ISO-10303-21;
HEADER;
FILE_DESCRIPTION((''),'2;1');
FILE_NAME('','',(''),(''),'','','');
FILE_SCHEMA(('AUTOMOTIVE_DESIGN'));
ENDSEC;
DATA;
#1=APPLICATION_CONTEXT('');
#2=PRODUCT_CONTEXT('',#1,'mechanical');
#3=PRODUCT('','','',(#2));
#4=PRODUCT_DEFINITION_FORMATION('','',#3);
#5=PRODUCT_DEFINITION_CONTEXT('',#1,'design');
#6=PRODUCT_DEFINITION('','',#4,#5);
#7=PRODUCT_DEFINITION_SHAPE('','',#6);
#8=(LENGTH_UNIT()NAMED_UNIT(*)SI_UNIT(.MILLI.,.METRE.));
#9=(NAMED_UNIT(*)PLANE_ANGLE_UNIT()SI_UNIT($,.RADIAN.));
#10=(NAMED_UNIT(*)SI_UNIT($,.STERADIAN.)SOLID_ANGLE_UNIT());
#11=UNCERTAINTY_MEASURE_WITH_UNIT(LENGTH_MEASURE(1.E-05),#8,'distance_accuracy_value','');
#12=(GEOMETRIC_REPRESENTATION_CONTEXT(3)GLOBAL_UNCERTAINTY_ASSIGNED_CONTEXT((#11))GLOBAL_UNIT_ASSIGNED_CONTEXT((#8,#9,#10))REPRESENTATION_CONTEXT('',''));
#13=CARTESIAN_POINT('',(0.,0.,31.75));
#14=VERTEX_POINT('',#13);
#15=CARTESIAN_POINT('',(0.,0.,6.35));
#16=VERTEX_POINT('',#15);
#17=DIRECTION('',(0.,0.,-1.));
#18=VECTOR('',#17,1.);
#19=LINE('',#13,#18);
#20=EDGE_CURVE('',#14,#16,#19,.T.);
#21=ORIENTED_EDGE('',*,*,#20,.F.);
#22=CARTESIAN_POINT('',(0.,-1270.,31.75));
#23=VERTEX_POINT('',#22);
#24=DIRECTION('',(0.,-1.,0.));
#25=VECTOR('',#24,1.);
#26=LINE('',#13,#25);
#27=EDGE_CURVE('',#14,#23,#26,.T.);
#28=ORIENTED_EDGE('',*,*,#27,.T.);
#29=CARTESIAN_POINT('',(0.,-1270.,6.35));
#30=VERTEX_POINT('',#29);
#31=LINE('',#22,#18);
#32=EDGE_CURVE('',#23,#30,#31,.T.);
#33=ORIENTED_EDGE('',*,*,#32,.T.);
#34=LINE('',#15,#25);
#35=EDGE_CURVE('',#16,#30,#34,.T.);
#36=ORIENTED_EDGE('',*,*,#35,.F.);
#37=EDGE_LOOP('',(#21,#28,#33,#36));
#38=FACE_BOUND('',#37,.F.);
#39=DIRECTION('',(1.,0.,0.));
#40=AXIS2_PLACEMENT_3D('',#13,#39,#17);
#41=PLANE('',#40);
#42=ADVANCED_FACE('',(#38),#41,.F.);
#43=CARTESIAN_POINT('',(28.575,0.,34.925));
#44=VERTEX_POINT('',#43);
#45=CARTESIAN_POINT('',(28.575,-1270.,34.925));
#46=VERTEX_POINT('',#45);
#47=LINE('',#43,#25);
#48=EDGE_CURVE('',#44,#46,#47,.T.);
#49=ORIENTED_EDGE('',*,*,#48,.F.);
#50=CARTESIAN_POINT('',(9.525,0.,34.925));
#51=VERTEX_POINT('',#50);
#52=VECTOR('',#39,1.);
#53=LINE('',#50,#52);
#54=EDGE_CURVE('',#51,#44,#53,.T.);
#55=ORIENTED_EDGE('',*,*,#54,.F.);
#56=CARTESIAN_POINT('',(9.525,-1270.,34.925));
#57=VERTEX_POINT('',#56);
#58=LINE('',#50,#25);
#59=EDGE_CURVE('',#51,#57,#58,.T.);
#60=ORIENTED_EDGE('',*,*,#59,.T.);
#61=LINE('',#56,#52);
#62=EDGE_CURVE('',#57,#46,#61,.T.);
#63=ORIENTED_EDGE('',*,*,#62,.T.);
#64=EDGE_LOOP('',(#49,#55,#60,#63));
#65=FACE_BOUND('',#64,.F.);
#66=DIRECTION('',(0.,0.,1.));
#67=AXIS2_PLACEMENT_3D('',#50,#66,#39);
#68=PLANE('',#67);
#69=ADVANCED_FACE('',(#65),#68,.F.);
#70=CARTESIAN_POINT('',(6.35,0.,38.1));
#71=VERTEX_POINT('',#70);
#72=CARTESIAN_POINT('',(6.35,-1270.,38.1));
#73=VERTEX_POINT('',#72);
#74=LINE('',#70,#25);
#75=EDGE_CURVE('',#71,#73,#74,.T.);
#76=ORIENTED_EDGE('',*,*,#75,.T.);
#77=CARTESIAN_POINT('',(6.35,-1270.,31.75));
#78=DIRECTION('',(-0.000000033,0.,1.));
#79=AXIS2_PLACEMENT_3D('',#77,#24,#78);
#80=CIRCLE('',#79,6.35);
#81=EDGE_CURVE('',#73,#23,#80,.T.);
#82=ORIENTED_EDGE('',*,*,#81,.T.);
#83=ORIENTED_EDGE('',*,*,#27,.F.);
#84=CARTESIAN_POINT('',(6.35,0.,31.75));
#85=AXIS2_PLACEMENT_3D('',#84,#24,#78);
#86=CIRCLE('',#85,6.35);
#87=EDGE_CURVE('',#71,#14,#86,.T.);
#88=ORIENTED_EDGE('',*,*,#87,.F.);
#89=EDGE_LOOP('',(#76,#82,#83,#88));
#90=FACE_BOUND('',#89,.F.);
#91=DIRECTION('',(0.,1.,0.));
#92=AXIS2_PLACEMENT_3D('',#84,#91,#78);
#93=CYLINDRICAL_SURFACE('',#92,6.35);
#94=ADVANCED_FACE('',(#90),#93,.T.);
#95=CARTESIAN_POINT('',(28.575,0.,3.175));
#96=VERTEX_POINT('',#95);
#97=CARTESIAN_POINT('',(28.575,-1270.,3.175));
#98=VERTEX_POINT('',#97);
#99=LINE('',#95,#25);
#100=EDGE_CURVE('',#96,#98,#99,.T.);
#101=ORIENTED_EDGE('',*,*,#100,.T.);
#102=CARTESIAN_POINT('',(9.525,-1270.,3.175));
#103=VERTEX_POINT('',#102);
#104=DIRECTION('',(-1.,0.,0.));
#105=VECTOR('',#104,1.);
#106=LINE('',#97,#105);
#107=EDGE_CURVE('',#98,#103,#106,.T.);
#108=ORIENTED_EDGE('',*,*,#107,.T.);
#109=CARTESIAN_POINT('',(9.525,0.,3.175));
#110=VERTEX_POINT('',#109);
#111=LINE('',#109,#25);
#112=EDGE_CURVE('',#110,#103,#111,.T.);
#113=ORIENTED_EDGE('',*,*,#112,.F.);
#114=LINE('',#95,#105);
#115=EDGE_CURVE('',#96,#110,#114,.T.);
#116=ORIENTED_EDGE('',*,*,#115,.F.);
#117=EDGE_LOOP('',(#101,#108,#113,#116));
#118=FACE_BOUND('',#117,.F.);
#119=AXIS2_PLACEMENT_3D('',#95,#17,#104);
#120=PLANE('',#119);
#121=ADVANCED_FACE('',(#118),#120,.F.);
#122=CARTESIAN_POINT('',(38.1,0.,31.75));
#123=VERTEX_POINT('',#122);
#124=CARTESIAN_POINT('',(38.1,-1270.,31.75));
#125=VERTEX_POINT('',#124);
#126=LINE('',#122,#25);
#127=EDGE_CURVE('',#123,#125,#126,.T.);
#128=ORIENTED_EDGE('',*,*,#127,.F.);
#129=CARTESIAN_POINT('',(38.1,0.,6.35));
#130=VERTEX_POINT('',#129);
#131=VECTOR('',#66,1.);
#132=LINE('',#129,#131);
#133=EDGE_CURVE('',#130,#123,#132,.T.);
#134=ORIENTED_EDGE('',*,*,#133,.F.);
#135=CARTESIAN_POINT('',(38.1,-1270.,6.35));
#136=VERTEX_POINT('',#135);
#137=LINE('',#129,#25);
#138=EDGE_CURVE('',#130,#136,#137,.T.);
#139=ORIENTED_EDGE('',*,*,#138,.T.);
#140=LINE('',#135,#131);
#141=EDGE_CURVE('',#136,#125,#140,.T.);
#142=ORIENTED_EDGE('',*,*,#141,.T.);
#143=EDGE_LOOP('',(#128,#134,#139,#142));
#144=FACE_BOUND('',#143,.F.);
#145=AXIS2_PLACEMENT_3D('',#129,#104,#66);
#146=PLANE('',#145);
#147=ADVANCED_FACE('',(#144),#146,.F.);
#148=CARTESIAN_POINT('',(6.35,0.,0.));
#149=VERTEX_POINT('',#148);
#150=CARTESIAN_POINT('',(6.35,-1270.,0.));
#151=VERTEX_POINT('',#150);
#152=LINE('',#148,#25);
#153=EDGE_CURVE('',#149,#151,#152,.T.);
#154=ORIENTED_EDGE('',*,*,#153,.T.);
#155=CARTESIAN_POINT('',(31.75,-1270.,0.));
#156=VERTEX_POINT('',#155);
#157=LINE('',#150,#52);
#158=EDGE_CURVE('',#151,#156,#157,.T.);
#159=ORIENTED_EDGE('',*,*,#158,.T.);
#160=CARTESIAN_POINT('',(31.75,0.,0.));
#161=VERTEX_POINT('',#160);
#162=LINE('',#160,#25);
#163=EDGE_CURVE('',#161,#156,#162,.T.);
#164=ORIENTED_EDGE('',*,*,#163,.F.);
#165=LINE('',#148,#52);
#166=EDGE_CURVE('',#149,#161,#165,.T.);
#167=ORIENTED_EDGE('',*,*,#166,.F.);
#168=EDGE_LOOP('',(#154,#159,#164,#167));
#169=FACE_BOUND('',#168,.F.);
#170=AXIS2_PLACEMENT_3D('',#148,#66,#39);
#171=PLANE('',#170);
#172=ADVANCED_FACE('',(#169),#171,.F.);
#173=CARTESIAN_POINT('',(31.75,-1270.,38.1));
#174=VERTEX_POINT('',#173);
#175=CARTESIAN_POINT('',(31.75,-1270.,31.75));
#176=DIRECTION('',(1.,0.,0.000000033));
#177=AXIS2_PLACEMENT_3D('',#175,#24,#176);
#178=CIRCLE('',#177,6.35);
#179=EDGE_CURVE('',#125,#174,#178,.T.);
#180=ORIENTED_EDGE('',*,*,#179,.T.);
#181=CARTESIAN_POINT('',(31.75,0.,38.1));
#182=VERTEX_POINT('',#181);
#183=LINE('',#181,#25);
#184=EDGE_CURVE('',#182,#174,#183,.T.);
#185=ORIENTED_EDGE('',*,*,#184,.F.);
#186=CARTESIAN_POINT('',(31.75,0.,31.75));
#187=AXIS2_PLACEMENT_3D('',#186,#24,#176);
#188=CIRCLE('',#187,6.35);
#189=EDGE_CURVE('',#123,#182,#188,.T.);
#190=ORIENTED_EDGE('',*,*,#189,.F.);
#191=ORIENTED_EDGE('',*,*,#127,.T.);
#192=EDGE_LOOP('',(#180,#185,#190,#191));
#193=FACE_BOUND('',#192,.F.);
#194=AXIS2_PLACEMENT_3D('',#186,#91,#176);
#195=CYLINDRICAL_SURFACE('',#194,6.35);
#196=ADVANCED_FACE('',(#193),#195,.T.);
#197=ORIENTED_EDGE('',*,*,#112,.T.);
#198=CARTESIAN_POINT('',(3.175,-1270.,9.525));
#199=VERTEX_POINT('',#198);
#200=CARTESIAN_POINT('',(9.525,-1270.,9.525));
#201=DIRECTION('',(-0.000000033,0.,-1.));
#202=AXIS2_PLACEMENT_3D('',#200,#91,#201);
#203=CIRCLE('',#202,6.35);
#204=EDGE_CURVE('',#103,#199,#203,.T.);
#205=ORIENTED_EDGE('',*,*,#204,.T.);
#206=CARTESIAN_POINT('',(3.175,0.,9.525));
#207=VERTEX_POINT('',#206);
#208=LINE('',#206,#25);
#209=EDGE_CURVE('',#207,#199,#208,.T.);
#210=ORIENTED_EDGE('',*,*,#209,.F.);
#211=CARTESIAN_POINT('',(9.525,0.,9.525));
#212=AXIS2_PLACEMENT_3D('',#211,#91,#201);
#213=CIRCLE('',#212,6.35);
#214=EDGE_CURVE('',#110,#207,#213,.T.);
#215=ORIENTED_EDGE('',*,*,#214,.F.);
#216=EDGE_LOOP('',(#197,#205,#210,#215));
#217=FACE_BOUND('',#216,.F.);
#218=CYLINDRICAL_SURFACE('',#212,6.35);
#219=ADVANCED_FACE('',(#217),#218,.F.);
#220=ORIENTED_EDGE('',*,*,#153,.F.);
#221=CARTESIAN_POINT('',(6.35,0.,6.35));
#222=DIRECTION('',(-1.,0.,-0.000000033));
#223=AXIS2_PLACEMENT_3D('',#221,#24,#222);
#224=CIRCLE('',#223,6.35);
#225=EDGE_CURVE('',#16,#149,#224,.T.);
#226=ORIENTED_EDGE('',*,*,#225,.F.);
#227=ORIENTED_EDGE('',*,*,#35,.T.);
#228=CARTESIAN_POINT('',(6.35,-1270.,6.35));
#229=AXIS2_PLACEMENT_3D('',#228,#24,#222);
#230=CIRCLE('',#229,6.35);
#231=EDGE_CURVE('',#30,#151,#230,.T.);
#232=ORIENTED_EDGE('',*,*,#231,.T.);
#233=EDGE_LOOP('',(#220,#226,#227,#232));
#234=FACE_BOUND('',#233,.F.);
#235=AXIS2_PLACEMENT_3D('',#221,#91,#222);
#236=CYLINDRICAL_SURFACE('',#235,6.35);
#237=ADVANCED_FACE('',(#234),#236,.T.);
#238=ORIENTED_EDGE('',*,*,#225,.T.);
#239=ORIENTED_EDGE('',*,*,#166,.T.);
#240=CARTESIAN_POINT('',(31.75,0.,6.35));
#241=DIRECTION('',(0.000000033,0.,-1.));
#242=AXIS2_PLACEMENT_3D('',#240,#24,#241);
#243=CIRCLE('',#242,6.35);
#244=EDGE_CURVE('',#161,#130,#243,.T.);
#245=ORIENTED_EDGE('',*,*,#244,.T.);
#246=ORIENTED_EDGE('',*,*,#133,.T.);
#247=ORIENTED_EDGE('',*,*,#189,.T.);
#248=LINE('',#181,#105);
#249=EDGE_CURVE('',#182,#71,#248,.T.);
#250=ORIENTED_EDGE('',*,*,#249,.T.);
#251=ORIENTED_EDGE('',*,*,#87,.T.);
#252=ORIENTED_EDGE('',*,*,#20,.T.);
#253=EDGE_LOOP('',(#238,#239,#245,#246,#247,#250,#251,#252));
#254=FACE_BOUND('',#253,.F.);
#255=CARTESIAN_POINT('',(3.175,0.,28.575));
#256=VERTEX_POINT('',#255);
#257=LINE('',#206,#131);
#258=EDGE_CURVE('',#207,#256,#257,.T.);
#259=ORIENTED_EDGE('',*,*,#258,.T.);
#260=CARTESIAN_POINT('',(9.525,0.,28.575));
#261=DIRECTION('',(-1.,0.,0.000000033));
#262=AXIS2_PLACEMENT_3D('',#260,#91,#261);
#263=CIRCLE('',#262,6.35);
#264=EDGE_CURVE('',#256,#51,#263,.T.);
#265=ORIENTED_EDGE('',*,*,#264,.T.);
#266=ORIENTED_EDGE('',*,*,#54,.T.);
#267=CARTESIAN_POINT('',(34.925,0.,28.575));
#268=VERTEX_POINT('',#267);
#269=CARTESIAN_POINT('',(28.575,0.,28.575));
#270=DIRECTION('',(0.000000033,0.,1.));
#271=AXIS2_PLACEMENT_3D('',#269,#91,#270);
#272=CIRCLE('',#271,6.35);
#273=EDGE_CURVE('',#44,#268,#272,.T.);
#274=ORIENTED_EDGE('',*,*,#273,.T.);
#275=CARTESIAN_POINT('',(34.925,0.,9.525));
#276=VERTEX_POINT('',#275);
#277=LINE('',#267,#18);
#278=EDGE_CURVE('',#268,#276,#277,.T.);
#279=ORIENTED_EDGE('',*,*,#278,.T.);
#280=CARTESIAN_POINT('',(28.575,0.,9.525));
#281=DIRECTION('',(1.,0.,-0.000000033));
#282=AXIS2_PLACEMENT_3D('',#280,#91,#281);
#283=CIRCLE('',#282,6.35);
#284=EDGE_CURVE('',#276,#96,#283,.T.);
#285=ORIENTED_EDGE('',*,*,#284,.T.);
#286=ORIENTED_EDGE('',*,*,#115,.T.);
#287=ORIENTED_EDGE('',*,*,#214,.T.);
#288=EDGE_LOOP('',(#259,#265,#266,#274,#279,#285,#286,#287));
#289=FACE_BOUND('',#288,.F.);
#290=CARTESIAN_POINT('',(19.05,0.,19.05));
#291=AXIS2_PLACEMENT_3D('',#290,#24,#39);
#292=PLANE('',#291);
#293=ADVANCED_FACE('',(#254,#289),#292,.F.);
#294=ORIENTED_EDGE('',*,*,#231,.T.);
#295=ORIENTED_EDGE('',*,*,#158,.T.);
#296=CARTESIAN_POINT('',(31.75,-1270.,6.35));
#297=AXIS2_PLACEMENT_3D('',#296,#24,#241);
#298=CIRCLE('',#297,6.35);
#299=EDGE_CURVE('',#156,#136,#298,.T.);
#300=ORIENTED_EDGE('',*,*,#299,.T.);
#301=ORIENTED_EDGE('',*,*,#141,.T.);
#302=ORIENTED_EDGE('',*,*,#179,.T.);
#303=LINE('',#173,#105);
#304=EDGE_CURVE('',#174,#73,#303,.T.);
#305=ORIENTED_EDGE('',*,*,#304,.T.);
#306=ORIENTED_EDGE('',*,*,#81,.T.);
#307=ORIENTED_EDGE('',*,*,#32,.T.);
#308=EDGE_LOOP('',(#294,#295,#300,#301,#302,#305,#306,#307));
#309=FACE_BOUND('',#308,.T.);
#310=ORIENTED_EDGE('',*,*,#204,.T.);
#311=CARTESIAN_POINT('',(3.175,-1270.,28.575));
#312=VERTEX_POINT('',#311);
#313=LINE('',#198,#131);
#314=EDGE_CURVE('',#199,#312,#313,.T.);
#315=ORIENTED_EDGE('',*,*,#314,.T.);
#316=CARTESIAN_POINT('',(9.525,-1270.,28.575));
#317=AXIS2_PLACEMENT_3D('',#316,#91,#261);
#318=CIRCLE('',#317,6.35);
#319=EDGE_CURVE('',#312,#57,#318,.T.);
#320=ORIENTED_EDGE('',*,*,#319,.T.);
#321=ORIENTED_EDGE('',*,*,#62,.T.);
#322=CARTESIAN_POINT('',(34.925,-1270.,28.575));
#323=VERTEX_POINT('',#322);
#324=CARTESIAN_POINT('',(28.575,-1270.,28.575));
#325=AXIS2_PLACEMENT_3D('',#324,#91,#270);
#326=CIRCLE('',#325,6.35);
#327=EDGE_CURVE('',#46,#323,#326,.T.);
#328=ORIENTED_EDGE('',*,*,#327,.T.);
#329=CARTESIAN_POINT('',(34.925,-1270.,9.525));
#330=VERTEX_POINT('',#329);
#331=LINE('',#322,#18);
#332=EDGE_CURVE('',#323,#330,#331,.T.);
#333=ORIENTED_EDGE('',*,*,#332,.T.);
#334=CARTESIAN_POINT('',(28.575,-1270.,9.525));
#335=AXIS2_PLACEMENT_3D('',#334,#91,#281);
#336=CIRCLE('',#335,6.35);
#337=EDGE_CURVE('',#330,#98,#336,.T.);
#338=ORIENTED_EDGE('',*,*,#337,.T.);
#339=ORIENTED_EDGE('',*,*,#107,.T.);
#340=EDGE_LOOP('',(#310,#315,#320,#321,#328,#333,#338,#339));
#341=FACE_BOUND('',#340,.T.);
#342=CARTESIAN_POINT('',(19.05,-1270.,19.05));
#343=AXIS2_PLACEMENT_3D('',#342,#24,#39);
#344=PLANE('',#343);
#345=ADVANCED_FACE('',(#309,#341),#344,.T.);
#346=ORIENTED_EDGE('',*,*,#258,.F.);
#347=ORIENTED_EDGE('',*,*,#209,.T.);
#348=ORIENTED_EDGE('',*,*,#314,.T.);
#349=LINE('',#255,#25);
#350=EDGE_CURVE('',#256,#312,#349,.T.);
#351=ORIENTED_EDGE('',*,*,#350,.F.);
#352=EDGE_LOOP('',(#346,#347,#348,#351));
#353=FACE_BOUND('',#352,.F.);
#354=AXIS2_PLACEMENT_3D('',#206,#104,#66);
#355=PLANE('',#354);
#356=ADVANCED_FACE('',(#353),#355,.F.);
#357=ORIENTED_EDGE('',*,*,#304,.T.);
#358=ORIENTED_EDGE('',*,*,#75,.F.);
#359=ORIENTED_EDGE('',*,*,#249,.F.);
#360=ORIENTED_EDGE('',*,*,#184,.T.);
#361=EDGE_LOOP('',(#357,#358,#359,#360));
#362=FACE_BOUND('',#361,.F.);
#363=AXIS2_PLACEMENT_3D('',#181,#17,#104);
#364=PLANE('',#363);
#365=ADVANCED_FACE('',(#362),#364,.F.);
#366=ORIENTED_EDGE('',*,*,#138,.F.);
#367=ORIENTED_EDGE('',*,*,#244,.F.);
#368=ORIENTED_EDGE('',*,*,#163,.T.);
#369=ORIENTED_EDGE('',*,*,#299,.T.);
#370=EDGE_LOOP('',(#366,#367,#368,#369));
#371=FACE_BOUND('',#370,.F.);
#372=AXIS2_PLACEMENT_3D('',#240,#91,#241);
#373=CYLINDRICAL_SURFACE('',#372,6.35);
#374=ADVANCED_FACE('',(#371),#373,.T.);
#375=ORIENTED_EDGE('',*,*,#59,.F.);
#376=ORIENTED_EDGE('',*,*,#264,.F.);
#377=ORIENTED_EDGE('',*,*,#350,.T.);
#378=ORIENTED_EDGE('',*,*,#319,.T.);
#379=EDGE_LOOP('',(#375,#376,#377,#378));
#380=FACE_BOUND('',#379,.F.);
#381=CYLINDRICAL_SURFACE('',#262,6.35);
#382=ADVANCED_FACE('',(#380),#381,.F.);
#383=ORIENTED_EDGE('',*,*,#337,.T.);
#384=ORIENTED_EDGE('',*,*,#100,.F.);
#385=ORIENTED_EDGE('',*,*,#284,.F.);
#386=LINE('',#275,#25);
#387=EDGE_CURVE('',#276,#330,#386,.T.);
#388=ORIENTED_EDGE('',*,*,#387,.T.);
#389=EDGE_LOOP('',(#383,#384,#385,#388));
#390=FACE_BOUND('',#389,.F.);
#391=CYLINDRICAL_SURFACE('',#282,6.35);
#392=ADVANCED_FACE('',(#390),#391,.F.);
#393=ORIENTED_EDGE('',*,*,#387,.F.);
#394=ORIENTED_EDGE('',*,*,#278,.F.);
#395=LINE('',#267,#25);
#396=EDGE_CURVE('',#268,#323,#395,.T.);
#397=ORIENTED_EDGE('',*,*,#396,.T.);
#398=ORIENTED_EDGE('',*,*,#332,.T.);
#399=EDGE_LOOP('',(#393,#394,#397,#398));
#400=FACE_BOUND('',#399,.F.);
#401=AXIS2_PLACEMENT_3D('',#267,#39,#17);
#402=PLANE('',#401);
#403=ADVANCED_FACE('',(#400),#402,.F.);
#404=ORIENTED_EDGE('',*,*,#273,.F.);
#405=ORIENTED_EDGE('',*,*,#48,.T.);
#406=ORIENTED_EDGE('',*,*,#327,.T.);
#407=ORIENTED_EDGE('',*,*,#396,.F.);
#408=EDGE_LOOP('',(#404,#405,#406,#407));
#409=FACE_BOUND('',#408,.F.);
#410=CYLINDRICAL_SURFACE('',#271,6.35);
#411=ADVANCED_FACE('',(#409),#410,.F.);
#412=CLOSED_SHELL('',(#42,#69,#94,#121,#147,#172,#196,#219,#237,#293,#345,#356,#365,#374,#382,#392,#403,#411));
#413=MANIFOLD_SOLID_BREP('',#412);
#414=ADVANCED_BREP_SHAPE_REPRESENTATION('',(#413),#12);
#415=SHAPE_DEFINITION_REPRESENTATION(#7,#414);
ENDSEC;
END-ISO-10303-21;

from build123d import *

# Parameters (mm, degrees)
F1_DEPTH = 1270


with BuildPart() as f1:
    # F0 (on Front) → F1 (new body)
    with BuildSketch(Plane.XZ):
        with BuildLine():
            ThreePointArc((0, 6.35), (1.859872, 1.859872), (6.35, 0))
            Line((6.35, 0), (31.75, 0))
            ThreePointArc((31.75, 0), (36.240128, 1.859872), (38.1, 6.35))
            Line((38.1, 6.35), (38.1, 31.75))
            ThreePointArc((38.1, 31.75), (36.240128, 36.240128), (31.75, 38.1))
            Line((31.75, 38.1), (6.35, 38.1))
            ThreePointArc((6.35, 38.1), (1.859872, 36.240128), (0, 31.75))
            Line((0, 31.75), (0, 6.35))
        make_face()
        with BuildLine():
            Line((28.575, 3.175), (9.525, 3.175))
            ThreePointArc((9.525, 3.175), (5.034872, 5.034872), (3.175, 9.525))
            Line((3.175, 9.525), (3.175, 28.575))
            ThreePointArc((3.175, 28.575), (5.034872, 33.065128), (9.525, 34.925))
            Line((9.525, 34.925), (28.575, 34.925))
            ThreePointArc((28.575, 34.925), (33.065128, 33.065128), (34.925, 28.575))
            Line((34.925, 28.575), (34.925, 9.525))
            ThreePointArc((34.925, 9.525), (33.065128, 5.034872), (28.575, 3.175))
        make_face(mode=Mode.SUBTRACT)
    extrude(amount=F1_DEPTH)


solid = f1.part
